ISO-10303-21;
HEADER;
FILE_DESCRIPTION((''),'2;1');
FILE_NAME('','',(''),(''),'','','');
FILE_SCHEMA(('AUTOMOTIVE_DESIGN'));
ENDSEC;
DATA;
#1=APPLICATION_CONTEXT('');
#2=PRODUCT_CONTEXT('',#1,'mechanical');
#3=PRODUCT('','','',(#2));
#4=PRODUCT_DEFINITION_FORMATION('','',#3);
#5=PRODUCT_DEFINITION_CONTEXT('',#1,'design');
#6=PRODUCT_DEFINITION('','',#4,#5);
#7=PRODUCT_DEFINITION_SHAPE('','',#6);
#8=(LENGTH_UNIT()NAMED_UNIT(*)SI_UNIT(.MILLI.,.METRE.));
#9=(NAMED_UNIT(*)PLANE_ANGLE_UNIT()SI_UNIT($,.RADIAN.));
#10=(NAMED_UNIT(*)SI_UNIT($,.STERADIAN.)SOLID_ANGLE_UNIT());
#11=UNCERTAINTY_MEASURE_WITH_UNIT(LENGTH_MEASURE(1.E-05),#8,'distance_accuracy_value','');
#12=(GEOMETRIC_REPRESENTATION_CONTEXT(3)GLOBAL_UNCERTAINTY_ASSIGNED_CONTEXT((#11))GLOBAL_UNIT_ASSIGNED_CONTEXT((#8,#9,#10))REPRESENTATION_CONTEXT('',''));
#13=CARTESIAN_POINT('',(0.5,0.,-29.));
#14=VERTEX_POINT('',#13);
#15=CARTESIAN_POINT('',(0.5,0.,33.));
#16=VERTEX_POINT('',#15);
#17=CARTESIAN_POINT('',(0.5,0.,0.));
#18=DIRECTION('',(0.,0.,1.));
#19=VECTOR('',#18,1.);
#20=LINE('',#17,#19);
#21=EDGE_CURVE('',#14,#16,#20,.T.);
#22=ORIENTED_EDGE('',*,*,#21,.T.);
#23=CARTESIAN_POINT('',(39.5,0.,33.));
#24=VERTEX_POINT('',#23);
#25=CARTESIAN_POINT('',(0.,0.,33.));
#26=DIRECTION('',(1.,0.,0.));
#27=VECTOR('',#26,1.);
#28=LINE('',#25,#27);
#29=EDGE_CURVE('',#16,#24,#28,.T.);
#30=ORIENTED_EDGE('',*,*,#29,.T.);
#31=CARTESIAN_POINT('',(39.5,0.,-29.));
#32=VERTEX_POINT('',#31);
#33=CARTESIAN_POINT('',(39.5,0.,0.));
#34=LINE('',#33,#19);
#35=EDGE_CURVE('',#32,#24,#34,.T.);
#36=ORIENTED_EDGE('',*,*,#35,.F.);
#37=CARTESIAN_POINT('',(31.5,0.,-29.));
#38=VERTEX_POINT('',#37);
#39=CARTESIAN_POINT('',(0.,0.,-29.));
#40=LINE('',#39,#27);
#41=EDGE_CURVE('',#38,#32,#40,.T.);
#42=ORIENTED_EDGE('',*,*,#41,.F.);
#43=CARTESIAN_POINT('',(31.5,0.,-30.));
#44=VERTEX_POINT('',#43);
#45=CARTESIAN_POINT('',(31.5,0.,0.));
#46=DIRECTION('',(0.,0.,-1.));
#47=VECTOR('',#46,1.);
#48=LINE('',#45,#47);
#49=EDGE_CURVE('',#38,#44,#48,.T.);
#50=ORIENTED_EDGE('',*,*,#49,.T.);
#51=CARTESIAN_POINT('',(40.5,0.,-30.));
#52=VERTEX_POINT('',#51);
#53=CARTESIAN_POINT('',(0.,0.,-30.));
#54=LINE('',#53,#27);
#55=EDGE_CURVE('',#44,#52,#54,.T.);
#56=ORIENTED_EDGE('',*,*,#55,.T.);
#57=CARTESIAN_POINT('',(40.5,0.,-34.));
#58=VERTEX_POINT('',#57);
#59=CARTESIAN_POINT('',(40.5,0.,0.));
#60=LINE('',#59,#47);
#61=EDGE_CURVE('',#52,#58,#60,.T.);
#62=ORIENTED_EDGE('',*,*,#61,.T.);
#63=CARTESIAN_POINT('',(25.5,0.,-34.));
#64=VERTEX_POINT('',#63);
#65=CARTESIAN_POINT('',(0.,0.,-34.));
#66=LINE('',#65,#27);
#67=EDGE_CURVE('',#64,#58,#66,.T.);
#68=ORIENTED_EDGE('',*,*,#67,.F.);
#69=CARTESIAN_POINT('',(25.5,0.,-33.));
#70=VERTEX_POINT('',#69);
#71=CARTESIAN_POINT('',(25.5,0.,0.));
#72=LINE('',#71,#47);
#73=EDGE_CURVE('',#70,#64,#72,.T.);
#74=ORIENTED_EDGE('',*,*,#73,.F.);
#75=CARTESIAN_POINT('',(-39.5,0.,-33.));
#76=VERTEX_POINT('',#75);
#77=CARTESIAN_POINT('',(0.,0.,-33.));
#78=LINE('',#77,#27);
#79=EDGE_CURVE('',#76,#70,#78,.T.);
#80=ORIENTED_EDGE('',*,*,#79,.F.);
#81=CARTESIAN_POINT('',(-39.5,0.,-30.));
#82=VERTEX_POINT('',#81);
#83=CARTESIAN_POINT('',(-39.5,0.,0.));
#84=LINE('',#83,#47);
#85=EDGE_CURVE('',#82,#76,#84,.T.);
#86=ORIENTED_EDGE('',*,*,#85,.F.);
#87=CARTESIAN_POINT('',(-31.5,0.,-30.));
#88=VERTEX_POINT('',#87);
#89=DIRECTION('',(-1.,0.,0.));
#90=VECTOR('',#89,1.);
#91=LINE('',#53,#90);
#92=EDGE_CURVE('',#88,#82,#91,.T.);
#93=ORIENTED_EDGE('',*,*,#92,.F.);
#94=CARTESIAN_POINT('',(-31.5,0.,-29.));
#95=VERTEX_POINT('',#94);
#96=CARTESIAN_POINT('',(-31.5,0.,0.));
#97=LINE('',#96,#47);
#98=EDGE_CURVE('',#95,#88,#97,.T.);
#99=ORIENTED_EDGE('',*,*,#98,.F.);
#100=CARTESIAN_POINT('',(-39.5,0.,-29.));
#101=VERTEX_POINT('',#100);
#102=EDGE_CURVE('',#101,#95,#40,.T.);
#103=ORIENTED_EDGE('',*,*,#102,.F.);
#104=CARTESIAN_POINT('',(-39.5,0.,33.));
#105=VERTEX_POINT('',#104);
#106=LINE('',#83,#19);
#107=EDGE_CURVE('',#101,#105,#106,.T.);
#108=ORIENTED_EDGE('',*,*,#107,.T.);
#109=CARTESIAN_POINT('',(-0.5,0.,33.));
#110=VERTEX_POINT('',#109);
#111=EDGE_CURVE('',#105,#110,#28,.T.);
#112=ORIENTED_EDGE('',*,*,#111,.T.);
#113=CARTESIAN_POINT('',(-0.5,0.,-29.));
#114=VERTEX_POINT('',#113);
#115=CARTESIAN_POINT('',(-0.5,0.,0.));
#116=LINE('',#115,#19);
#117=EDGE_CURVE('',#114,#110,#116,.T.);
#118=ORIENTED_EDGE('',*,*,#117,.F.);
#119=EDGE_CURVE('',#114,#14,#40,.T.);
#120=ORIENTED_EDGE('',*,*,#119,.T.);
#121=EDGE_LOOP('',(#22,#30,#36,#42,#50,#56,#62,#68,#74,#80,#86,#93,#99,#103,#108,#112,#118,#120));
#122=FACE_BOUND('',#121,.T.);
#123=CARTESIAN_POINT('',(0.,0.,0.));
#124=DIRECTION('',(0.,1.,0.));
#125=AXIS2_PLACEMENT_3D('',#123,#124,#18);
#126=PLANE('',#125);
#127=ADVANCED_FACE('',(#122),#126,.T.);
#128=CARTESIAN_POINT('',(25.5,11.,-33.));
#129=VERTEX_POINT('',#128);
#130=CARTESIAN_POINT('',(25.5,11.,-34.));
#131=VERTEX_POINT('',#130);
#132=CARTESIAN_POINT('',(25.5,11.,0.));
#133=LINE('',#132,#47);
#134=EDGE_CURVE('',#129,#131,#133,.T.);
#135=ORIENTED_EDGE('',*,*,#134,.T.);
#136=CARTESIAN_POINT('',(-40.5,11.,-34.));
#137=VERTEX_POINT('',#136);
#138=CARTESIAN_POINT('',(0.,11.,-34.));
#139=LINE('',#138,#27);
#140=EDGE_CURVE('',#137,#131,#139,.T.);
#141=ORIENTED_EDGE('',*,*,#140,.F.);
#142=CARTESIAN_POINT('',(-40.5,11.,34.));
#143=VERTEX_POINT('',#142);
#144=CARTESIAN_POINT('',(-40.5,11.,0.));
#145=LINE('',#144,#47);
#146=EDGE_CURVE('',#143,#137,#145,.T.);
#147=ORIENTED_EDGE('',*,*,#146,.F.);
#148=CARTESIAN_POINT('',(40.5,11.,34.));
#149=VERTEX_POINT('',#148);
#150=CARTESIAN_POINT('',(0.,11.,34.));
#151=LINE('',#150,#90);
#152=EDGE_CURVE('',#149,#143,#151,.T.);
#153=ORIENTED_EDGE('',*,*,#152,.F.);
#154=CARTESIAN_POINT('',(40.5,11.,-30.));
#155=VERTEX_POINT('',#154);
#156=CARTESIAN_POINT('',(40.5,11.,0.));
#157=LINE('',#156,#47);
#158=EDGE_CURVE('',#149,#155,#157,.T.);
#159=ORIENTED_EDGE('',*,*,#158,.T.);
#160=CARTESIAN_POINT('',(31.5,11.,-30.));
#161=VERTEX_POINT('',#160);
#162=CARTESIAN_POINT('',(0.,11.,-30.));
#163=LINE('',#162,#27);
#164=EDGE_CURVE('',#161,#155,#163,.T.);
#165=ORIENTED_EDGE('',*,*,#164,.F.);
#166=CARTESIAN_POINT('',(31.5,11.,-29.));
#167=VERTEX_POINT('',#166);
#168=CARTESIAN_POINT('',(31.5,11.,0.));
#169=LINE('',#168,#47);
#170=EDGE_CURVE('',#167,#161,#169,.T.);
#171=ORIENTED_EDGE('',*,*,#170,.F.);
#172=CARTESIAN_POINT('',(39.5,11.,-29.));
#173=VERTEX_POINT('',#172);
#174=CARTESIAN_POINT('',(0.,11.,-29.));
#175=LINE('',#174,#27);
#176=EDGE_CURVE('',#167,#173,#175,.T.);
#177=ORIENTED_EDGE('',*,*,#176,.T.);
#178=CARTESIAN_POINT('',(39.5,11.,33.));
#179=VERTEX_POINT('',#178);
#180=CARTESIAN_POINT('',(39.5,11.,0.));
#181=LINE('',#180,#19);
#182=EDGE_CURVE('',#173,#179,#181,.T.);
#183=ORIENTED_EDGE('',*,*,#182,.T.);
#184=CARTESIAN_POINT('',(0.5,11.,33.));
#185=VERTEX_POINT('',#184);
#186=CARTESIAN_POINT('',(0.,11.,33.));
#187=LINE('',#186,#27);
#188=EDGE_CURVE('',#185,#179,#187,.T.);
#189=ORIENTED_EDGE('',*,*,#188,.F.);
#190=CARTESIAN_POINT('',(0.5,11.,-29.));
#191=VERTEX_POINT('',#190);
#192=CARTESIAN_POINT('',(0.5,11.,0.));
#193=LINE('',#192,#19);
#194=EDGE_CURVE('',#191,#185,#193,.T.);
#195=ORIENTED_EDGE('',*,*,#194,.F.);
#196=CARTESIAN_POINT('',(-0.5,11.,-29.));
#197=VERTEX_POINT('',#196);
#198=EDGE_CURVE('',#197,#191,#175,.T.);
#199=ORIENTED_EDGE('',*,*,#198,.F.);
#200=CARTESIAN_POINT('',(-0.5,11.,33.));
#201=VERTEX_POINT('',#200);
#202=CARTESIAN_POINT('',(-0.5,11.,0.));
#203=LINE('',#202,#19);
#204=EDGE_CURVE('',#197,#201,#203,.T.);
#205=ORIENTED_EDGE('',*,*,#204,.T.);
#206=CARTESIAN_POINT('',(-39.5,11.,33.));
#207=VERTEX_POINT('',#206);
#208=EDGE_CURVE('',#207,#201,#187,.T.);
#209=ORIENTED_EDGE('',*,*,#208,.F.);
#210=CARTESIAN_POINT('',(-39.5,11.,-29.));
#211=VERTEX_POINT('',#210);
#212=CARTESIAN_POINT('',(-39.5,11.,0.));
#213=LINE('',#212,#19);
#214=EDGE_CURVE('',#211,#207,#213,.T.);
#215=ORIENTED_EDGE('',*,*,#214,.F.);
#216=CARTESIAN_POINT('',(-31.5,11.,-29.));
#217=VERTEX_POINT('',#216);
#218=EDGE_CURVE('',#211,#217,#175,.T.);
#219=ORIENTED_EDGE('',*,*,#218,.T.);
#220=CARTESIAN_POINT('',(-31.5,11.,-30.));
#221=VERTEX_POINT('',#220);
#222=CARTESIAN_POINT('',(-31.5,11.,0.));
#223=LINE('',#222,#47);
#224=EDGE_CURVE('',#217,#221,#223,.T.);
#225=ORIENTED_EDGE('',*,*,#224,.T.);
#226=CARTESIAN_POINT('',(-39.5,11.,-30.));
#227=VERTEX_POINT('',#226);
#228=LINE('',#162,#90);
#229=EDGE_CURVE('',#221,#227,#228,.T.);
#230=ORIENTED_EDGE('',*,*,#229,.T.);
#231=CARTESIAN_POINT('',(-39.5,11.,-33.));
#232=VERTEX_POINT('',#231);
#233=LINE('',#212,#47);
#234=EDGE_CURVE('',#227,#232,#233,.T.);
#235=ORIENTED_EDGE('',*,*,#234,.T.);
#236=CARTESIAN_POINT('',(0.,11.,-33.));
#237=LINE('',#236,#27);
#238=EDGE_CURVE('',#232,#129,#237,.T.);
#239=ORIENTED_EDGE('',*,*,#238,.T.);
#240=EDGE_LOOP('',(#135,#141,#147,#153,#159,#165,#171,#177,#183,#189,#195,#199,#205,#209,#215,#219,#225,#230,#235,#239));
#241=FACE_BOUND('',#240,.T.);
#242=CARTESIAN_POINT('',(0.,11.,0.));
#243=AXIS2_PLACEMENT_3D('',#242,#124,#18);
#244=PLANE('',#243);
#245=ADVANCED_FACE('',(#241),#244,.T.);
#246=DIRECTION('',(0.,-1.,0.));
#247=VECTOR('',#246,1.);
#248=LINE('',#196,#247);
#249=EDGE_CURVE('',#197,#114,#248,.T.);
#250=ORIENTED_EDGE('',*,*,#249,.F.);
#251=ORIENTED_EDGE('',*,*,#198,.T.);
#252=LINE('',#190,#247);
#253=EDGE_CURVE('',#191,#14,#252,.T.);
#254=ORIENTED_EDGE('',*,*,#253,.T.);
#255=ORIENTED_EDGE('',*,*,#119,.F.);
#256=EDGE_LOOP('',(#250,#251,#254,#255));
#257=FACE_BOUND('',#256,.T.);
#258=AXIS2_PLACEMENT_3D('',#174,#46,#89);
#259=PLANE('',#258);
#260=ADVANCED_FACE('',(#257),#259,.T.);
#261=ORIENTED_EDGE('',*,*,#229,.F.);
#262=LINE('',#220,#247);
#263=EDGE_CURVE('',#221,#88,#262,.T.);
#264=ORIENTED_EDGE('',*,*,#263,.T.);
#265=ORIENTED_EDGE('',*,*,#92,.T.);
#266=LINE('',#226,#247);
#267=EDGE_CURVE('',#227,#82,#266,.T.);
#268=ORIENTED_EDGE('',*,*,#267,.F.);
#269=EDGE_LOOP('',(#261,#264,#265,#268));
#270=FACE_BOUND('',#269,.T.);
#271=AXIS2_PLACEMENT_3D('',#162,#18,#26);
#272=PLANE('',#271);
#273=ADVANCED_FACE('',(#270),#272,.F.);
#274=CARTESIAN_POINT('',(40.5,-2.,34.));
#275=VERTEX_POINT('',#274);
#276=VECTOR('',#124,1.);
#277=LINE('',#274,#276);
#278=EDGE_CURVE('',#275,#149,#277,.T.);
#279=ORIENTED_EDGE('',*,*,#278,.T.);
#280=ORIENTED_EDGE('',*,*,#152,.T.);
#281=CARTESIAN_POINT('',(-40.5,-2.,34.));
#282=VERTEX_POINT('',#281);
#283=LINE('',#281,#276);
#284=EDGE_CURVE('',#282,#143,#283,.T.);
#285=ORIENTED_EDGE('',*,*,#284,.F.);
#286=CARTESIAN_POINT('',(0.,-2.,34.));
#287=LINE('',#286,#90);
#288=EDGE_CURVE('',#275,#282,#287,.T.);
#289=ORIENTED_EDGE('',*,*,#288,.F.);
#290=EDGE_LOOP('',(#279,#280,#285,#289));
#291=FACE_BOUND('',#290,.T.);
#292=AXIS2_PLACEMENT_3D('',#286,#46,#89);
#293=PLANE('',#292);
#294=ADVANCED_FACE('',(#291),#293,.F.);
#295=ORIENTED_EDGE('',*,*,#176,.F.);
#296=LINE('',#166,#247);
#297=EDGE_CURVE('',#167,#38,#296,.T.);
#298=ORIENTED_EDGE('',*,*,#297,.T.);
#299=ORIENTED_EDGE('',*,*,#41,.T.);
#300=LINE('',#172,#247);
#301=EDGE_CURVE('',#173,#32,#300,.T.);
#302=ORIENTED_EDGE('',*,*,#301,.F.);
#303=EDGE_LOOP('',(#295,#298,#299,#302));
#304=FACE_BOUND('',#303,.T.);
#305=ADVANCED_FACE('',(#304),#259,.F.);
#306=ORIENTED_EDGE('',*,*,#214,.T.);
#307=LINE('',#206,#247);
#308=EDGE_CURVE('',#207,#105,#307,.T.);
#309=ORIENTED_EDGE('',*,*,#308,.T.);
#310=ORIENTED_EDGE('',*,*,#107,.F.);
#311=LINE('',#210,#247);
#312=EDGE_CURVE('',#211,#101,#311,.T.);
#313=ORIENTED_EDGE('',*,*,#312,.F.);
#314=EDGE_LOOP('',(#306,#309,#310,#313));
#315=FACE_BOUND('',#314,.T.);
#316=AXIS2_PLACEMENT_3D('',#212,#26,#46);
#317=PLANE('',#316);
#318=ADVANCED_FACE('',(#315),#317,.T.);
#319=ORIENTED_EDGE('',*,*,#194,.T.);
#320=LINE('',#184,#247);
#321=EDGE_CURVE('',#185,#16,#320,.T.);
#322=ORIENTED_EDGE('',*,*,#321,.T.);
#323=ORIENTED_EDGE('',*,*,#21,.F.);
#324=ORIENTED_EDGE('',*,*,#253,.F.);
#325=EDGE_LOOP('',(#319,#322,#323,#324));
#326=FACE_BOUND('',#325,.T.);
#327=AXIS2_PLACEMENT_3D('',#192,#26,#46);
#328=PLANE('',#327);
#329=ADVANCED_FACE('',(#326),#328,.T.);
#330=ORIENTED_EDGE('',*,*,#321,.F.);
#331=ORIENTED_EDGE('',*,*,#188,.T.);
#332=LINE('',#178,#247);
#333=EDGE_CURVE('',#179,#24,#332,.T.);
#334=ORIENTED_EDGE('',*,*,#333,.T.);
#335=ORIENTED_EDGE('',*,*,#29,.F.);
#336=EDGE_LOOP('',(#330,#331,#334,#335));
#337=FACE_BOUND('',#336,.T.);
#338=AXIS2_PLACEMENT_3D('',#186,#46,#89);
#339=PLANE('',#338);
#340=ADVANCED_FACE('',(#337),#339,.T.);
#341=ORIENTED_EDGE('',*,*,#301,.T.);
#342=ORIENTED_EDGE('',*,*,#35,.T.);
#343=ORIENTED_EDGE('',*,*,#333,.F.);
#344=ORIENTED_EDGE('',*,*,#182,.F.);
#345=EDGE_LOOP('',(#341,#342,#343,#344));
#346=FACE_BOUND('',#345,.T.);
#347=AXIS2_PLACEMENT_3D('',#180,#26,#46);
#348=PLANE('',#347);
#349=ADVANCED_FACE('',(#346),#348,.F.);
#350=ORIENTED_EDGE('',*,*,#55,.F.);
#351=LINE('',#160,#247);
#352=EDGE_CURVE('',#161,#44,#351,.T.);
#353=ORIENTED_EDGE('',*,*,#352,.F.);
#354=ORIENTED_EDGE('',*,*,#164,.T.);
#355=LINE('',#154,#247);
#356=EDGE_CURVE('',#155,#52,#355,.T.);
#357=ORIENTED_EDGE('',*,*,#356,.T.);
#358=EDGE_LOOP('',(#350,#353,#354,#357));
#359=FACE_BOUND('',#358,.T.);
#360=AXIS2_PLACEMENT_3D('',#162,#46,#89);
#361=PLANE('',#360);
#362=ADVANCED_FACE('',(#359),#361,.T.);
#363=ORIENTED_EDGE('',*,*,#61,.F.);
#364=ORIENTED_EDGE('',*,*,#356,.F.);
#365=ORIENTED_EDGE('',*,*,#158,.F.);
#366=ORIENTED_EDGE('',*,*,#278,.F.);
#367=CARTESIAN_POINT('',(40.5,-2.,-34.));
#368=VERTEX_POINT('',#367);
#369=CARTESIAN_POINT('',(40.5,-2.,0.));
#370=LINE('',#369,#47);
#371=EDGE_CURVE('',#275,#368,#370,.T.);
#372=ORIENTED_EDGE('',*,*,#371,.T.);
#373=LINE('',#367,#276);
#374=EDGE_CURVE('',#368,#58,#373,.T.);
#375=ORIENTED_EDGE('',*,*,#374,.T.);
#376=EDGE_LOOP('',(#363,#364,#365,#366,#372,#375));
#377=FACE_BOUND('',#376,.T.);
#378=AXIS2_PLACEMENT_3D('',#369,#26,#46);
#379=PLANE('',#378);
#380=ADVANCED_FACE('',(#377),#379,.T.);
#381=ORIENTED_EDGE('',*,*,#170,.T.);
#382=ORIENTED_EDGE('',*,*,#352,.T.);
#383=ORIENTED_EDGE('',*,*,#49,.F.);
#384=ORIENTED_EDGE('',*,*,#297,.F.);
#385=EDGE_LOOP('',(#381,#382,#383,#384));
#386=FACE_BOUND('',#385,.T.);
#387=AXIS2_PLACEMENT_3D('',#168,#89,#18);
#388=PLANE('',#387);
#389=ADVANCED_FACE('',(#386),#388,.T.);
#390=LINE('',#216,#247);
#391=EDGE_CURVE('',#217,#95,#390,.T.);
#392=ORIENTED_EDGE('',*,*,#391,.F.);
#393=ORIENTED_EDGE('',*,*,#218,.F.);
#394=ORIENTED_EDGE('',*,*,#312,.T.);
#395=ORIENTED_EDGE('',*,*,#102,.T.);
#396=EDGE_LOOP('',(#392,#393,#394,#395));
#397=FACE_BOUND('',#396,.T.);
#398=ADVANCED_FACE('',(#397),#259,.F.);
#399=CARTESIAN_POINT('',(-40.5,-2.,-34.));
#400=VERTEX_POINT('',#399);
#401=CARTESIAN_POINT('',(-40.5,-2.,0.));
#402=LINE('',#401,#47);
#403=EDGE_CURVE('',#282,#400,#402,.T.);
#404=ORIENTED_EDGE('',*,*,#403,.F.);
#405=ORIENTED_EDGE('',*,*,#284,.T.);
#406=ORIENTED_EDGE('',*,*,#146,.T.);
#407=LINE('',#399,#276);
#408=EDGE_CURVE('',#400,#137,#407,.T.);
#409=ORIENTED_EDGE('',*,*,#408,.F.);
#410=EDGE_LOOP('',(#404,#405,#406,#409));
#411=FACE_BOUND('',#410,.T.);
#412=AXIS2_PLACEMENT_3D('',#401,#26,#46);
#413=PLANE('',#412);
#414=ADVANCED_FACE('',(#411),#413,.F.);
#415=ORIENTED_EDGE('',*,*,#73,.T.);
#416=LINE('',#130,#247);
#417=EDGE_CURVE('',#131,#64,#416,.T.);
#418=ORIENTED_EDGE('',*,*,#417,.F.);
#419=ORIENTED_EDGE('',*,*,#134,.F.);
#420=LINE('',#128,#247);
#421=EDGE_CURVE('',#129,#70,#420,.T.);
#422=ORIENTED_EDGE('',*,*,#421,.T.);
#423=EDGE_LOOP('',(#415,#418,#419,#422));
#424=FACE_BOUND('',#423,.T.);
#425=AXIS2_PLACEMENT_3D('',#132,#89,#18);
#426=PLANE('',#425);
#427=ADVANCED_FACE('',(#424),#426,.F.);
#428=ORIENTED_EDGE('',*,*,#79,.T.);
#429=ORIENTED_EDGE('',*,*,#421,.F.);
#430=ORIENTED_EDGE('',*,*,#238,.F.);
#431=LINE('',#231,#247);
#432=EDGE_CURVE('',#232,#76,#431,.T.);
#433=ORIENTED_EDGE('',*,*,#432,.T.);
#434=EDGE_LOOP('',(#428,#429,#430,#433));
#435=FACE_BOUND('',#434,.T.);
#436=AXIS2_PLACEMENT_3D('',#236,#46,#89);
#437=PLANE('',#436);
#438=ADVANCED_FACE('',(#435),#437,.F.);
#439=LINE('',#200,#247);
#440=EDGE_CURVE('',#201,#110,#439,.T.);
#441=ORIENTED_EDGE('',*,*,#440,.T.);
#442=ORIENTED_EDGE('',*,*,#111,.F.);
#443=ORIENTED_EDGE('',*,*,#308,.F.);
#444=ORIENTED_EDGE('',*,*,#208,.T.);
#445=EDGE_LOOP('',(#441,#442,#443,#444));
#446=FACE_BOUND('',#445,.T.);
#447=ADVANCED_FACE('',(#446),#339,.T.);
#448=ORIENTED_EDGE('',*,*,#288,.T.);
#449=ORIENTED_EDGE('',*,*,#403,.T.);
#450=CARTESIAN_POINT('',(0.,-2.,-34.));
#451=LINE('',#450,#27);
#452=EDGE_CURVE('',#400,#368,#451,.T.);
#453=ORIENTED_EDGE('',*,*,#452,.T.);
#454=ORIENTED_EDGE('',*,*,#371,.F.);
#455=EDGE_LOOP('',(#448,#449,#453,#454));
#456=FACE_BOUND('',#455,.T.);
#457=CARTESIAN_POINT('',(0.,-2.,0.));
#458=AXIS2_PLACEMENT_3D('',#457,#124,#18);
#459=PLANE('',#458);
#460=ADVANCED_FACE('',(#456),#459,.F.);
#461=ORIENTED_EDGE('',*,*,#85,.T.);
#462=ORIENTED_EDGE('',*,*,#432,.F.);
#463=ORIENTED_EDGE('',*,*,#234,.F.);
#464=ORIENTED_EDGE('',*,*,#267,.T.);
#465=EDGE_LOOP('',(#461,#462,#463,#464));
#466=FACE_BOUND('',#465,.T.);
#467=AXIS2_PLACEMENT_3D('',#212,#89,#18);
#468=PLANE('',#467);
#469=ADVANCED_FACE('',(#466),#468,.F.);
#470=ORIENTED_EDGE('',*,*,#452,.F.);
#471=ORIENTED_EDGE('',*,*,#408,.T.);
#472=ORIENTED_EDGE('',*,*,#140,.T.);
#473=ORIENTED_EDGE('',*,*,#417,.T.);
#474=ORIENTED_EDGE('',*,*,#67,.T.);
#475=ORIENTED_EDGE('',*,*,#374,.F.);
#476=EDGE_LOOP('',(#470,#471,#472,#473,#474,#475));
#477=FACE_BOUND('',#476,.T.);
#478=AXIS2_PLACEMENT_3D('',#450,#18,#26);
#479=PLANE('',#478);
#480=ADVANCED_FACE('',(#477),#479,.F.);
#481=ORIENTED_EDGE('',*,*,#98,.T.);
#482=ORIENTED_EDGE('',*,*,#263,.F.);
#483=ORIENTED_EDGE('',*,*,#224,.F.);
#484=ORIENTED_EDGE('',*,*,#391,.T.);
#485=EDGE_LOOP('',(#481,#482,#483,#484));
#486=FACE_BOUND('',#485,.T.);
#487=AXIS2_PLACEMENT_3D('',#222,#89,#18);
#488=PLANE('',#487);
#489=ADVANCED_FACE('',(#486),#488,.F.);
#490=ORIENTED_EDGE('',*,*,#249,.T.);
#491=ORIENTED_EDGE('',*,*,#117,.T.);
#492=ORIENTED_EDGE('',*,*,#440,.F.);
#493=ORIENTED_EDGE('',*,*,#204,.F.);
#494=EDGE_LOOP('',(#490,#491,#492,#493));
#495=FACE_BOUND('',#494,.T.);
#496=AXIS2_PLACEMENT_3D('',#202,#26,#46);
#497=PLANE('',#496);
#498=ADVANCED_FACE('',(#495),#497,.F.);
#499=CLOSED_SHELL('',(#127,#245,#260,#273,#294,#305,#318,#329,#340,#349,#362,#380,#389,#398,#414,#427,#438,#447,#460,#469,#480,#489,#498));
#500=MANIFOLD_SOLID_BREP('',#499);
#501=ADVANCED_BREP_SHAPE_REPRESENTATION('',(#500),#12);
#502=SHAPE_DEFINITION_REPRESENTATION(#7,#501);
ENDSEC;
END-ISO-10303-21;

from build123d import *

# Parameters (mm, degrees)
SKETCH1_W           = 81
SKETCH1_H           = 68
BOSS_EXTRUDE1_DEPTH = 2
BOSS_EXTRUDE2_DEPTH = 11


with BuildPart() as part:
    # Sketch1 → Boss-Extrude1 (new body)
    with BuildSketch(Plane(origin=(0, 0, 0), x_dir=(1, 0, 0), z_dir=(0, 1, 0))):
        Rectangle(SKETCH1_W, SKETCH1_H)
    extrude(amount=-BOSS_EXTRUDE1_DEPTH)

    # Sketch1<3> → Boss-Extrude2 (add)
    with BuildSketch(Plane(origin=(0, 0, 0), x_dir=(1, 0, 0), z_dir=(0, 1, 0))):
        Polygon((0.5, 29), (-0.5, 29), (-0.5, -33), (-39.5, -33), (-39.5, 29), (-31.5, 29), (-31.5, 30), (-39.5, 30), (-39.5, 33), (25.5, 33), (25.5, 34), (-40.5, 34), (-40.5, -34), (40.5, -34), (40.5, 30), (31.5, 30), (31.5, 29), (39.5, 29), (39.5, -33), (0.5, -33), align=None)
    extrude(amount=BOSS_EXTRUDE2_DEPTH)


solid = part.part
